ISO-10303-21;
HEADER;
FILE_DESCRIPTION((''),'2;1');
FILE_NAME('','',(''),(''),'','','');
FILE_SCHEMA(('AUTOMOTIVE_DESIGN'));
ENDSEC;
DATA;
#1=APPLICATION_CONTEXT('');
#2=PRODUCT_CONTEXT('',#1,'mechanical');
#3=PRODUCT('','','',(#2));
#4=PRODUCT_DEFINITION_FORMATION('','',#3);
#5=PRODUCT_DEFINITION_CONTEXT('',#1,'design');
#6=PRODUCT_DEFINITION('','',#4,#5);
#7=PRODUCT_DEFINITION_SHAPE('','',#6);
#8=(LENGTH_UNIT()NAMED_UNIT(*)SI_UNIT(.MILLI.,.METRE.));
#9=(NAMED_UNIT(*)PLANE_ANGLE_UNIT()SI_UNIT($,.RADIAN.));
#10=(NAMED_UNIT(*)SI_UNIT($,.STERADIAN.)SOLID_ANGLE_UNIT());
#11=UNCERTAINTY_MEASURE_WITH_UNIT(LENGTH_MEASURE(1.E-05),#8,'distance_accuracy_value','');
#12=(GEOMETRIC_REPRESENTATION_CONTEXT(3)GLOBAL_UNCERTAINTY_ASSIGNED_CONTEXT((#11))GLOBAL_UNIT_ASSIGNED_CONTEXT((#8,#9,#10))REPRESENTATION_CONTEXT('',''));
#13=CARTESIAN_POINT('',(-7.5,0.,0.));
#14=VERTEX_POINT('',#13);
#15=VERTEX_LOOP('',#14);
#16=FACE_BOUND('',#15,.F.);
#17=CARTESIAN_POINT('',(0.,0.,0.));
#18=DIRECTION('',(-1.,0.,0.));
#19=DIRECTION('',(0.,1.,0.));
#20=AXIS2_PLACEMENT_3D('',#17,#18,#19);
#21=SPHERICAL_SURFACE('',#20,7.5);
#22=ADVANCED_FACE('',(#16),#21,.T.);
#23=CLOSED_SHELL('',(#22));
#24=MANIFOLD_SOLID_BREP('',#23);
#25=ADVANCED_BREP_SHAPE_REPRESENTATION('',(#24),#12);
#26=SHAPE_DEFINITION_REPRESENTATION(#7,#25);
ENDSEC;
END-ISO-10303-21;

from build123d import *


with BuildPart() as part:
    # 草圖1 one side → 旋轉1 (revolve)
    with BuildSketch(Plane.XY):
        with BuildLine():
            Line((-7.5, 0), (7.5, 0))
            ThreePointArc((7.5, 0), (0, 7.5), (-7.5, 0))
        make_face()
    revolve(axis=Axis((-7.5, 0, 0), (1, 0, 0)))


solid = part.part
